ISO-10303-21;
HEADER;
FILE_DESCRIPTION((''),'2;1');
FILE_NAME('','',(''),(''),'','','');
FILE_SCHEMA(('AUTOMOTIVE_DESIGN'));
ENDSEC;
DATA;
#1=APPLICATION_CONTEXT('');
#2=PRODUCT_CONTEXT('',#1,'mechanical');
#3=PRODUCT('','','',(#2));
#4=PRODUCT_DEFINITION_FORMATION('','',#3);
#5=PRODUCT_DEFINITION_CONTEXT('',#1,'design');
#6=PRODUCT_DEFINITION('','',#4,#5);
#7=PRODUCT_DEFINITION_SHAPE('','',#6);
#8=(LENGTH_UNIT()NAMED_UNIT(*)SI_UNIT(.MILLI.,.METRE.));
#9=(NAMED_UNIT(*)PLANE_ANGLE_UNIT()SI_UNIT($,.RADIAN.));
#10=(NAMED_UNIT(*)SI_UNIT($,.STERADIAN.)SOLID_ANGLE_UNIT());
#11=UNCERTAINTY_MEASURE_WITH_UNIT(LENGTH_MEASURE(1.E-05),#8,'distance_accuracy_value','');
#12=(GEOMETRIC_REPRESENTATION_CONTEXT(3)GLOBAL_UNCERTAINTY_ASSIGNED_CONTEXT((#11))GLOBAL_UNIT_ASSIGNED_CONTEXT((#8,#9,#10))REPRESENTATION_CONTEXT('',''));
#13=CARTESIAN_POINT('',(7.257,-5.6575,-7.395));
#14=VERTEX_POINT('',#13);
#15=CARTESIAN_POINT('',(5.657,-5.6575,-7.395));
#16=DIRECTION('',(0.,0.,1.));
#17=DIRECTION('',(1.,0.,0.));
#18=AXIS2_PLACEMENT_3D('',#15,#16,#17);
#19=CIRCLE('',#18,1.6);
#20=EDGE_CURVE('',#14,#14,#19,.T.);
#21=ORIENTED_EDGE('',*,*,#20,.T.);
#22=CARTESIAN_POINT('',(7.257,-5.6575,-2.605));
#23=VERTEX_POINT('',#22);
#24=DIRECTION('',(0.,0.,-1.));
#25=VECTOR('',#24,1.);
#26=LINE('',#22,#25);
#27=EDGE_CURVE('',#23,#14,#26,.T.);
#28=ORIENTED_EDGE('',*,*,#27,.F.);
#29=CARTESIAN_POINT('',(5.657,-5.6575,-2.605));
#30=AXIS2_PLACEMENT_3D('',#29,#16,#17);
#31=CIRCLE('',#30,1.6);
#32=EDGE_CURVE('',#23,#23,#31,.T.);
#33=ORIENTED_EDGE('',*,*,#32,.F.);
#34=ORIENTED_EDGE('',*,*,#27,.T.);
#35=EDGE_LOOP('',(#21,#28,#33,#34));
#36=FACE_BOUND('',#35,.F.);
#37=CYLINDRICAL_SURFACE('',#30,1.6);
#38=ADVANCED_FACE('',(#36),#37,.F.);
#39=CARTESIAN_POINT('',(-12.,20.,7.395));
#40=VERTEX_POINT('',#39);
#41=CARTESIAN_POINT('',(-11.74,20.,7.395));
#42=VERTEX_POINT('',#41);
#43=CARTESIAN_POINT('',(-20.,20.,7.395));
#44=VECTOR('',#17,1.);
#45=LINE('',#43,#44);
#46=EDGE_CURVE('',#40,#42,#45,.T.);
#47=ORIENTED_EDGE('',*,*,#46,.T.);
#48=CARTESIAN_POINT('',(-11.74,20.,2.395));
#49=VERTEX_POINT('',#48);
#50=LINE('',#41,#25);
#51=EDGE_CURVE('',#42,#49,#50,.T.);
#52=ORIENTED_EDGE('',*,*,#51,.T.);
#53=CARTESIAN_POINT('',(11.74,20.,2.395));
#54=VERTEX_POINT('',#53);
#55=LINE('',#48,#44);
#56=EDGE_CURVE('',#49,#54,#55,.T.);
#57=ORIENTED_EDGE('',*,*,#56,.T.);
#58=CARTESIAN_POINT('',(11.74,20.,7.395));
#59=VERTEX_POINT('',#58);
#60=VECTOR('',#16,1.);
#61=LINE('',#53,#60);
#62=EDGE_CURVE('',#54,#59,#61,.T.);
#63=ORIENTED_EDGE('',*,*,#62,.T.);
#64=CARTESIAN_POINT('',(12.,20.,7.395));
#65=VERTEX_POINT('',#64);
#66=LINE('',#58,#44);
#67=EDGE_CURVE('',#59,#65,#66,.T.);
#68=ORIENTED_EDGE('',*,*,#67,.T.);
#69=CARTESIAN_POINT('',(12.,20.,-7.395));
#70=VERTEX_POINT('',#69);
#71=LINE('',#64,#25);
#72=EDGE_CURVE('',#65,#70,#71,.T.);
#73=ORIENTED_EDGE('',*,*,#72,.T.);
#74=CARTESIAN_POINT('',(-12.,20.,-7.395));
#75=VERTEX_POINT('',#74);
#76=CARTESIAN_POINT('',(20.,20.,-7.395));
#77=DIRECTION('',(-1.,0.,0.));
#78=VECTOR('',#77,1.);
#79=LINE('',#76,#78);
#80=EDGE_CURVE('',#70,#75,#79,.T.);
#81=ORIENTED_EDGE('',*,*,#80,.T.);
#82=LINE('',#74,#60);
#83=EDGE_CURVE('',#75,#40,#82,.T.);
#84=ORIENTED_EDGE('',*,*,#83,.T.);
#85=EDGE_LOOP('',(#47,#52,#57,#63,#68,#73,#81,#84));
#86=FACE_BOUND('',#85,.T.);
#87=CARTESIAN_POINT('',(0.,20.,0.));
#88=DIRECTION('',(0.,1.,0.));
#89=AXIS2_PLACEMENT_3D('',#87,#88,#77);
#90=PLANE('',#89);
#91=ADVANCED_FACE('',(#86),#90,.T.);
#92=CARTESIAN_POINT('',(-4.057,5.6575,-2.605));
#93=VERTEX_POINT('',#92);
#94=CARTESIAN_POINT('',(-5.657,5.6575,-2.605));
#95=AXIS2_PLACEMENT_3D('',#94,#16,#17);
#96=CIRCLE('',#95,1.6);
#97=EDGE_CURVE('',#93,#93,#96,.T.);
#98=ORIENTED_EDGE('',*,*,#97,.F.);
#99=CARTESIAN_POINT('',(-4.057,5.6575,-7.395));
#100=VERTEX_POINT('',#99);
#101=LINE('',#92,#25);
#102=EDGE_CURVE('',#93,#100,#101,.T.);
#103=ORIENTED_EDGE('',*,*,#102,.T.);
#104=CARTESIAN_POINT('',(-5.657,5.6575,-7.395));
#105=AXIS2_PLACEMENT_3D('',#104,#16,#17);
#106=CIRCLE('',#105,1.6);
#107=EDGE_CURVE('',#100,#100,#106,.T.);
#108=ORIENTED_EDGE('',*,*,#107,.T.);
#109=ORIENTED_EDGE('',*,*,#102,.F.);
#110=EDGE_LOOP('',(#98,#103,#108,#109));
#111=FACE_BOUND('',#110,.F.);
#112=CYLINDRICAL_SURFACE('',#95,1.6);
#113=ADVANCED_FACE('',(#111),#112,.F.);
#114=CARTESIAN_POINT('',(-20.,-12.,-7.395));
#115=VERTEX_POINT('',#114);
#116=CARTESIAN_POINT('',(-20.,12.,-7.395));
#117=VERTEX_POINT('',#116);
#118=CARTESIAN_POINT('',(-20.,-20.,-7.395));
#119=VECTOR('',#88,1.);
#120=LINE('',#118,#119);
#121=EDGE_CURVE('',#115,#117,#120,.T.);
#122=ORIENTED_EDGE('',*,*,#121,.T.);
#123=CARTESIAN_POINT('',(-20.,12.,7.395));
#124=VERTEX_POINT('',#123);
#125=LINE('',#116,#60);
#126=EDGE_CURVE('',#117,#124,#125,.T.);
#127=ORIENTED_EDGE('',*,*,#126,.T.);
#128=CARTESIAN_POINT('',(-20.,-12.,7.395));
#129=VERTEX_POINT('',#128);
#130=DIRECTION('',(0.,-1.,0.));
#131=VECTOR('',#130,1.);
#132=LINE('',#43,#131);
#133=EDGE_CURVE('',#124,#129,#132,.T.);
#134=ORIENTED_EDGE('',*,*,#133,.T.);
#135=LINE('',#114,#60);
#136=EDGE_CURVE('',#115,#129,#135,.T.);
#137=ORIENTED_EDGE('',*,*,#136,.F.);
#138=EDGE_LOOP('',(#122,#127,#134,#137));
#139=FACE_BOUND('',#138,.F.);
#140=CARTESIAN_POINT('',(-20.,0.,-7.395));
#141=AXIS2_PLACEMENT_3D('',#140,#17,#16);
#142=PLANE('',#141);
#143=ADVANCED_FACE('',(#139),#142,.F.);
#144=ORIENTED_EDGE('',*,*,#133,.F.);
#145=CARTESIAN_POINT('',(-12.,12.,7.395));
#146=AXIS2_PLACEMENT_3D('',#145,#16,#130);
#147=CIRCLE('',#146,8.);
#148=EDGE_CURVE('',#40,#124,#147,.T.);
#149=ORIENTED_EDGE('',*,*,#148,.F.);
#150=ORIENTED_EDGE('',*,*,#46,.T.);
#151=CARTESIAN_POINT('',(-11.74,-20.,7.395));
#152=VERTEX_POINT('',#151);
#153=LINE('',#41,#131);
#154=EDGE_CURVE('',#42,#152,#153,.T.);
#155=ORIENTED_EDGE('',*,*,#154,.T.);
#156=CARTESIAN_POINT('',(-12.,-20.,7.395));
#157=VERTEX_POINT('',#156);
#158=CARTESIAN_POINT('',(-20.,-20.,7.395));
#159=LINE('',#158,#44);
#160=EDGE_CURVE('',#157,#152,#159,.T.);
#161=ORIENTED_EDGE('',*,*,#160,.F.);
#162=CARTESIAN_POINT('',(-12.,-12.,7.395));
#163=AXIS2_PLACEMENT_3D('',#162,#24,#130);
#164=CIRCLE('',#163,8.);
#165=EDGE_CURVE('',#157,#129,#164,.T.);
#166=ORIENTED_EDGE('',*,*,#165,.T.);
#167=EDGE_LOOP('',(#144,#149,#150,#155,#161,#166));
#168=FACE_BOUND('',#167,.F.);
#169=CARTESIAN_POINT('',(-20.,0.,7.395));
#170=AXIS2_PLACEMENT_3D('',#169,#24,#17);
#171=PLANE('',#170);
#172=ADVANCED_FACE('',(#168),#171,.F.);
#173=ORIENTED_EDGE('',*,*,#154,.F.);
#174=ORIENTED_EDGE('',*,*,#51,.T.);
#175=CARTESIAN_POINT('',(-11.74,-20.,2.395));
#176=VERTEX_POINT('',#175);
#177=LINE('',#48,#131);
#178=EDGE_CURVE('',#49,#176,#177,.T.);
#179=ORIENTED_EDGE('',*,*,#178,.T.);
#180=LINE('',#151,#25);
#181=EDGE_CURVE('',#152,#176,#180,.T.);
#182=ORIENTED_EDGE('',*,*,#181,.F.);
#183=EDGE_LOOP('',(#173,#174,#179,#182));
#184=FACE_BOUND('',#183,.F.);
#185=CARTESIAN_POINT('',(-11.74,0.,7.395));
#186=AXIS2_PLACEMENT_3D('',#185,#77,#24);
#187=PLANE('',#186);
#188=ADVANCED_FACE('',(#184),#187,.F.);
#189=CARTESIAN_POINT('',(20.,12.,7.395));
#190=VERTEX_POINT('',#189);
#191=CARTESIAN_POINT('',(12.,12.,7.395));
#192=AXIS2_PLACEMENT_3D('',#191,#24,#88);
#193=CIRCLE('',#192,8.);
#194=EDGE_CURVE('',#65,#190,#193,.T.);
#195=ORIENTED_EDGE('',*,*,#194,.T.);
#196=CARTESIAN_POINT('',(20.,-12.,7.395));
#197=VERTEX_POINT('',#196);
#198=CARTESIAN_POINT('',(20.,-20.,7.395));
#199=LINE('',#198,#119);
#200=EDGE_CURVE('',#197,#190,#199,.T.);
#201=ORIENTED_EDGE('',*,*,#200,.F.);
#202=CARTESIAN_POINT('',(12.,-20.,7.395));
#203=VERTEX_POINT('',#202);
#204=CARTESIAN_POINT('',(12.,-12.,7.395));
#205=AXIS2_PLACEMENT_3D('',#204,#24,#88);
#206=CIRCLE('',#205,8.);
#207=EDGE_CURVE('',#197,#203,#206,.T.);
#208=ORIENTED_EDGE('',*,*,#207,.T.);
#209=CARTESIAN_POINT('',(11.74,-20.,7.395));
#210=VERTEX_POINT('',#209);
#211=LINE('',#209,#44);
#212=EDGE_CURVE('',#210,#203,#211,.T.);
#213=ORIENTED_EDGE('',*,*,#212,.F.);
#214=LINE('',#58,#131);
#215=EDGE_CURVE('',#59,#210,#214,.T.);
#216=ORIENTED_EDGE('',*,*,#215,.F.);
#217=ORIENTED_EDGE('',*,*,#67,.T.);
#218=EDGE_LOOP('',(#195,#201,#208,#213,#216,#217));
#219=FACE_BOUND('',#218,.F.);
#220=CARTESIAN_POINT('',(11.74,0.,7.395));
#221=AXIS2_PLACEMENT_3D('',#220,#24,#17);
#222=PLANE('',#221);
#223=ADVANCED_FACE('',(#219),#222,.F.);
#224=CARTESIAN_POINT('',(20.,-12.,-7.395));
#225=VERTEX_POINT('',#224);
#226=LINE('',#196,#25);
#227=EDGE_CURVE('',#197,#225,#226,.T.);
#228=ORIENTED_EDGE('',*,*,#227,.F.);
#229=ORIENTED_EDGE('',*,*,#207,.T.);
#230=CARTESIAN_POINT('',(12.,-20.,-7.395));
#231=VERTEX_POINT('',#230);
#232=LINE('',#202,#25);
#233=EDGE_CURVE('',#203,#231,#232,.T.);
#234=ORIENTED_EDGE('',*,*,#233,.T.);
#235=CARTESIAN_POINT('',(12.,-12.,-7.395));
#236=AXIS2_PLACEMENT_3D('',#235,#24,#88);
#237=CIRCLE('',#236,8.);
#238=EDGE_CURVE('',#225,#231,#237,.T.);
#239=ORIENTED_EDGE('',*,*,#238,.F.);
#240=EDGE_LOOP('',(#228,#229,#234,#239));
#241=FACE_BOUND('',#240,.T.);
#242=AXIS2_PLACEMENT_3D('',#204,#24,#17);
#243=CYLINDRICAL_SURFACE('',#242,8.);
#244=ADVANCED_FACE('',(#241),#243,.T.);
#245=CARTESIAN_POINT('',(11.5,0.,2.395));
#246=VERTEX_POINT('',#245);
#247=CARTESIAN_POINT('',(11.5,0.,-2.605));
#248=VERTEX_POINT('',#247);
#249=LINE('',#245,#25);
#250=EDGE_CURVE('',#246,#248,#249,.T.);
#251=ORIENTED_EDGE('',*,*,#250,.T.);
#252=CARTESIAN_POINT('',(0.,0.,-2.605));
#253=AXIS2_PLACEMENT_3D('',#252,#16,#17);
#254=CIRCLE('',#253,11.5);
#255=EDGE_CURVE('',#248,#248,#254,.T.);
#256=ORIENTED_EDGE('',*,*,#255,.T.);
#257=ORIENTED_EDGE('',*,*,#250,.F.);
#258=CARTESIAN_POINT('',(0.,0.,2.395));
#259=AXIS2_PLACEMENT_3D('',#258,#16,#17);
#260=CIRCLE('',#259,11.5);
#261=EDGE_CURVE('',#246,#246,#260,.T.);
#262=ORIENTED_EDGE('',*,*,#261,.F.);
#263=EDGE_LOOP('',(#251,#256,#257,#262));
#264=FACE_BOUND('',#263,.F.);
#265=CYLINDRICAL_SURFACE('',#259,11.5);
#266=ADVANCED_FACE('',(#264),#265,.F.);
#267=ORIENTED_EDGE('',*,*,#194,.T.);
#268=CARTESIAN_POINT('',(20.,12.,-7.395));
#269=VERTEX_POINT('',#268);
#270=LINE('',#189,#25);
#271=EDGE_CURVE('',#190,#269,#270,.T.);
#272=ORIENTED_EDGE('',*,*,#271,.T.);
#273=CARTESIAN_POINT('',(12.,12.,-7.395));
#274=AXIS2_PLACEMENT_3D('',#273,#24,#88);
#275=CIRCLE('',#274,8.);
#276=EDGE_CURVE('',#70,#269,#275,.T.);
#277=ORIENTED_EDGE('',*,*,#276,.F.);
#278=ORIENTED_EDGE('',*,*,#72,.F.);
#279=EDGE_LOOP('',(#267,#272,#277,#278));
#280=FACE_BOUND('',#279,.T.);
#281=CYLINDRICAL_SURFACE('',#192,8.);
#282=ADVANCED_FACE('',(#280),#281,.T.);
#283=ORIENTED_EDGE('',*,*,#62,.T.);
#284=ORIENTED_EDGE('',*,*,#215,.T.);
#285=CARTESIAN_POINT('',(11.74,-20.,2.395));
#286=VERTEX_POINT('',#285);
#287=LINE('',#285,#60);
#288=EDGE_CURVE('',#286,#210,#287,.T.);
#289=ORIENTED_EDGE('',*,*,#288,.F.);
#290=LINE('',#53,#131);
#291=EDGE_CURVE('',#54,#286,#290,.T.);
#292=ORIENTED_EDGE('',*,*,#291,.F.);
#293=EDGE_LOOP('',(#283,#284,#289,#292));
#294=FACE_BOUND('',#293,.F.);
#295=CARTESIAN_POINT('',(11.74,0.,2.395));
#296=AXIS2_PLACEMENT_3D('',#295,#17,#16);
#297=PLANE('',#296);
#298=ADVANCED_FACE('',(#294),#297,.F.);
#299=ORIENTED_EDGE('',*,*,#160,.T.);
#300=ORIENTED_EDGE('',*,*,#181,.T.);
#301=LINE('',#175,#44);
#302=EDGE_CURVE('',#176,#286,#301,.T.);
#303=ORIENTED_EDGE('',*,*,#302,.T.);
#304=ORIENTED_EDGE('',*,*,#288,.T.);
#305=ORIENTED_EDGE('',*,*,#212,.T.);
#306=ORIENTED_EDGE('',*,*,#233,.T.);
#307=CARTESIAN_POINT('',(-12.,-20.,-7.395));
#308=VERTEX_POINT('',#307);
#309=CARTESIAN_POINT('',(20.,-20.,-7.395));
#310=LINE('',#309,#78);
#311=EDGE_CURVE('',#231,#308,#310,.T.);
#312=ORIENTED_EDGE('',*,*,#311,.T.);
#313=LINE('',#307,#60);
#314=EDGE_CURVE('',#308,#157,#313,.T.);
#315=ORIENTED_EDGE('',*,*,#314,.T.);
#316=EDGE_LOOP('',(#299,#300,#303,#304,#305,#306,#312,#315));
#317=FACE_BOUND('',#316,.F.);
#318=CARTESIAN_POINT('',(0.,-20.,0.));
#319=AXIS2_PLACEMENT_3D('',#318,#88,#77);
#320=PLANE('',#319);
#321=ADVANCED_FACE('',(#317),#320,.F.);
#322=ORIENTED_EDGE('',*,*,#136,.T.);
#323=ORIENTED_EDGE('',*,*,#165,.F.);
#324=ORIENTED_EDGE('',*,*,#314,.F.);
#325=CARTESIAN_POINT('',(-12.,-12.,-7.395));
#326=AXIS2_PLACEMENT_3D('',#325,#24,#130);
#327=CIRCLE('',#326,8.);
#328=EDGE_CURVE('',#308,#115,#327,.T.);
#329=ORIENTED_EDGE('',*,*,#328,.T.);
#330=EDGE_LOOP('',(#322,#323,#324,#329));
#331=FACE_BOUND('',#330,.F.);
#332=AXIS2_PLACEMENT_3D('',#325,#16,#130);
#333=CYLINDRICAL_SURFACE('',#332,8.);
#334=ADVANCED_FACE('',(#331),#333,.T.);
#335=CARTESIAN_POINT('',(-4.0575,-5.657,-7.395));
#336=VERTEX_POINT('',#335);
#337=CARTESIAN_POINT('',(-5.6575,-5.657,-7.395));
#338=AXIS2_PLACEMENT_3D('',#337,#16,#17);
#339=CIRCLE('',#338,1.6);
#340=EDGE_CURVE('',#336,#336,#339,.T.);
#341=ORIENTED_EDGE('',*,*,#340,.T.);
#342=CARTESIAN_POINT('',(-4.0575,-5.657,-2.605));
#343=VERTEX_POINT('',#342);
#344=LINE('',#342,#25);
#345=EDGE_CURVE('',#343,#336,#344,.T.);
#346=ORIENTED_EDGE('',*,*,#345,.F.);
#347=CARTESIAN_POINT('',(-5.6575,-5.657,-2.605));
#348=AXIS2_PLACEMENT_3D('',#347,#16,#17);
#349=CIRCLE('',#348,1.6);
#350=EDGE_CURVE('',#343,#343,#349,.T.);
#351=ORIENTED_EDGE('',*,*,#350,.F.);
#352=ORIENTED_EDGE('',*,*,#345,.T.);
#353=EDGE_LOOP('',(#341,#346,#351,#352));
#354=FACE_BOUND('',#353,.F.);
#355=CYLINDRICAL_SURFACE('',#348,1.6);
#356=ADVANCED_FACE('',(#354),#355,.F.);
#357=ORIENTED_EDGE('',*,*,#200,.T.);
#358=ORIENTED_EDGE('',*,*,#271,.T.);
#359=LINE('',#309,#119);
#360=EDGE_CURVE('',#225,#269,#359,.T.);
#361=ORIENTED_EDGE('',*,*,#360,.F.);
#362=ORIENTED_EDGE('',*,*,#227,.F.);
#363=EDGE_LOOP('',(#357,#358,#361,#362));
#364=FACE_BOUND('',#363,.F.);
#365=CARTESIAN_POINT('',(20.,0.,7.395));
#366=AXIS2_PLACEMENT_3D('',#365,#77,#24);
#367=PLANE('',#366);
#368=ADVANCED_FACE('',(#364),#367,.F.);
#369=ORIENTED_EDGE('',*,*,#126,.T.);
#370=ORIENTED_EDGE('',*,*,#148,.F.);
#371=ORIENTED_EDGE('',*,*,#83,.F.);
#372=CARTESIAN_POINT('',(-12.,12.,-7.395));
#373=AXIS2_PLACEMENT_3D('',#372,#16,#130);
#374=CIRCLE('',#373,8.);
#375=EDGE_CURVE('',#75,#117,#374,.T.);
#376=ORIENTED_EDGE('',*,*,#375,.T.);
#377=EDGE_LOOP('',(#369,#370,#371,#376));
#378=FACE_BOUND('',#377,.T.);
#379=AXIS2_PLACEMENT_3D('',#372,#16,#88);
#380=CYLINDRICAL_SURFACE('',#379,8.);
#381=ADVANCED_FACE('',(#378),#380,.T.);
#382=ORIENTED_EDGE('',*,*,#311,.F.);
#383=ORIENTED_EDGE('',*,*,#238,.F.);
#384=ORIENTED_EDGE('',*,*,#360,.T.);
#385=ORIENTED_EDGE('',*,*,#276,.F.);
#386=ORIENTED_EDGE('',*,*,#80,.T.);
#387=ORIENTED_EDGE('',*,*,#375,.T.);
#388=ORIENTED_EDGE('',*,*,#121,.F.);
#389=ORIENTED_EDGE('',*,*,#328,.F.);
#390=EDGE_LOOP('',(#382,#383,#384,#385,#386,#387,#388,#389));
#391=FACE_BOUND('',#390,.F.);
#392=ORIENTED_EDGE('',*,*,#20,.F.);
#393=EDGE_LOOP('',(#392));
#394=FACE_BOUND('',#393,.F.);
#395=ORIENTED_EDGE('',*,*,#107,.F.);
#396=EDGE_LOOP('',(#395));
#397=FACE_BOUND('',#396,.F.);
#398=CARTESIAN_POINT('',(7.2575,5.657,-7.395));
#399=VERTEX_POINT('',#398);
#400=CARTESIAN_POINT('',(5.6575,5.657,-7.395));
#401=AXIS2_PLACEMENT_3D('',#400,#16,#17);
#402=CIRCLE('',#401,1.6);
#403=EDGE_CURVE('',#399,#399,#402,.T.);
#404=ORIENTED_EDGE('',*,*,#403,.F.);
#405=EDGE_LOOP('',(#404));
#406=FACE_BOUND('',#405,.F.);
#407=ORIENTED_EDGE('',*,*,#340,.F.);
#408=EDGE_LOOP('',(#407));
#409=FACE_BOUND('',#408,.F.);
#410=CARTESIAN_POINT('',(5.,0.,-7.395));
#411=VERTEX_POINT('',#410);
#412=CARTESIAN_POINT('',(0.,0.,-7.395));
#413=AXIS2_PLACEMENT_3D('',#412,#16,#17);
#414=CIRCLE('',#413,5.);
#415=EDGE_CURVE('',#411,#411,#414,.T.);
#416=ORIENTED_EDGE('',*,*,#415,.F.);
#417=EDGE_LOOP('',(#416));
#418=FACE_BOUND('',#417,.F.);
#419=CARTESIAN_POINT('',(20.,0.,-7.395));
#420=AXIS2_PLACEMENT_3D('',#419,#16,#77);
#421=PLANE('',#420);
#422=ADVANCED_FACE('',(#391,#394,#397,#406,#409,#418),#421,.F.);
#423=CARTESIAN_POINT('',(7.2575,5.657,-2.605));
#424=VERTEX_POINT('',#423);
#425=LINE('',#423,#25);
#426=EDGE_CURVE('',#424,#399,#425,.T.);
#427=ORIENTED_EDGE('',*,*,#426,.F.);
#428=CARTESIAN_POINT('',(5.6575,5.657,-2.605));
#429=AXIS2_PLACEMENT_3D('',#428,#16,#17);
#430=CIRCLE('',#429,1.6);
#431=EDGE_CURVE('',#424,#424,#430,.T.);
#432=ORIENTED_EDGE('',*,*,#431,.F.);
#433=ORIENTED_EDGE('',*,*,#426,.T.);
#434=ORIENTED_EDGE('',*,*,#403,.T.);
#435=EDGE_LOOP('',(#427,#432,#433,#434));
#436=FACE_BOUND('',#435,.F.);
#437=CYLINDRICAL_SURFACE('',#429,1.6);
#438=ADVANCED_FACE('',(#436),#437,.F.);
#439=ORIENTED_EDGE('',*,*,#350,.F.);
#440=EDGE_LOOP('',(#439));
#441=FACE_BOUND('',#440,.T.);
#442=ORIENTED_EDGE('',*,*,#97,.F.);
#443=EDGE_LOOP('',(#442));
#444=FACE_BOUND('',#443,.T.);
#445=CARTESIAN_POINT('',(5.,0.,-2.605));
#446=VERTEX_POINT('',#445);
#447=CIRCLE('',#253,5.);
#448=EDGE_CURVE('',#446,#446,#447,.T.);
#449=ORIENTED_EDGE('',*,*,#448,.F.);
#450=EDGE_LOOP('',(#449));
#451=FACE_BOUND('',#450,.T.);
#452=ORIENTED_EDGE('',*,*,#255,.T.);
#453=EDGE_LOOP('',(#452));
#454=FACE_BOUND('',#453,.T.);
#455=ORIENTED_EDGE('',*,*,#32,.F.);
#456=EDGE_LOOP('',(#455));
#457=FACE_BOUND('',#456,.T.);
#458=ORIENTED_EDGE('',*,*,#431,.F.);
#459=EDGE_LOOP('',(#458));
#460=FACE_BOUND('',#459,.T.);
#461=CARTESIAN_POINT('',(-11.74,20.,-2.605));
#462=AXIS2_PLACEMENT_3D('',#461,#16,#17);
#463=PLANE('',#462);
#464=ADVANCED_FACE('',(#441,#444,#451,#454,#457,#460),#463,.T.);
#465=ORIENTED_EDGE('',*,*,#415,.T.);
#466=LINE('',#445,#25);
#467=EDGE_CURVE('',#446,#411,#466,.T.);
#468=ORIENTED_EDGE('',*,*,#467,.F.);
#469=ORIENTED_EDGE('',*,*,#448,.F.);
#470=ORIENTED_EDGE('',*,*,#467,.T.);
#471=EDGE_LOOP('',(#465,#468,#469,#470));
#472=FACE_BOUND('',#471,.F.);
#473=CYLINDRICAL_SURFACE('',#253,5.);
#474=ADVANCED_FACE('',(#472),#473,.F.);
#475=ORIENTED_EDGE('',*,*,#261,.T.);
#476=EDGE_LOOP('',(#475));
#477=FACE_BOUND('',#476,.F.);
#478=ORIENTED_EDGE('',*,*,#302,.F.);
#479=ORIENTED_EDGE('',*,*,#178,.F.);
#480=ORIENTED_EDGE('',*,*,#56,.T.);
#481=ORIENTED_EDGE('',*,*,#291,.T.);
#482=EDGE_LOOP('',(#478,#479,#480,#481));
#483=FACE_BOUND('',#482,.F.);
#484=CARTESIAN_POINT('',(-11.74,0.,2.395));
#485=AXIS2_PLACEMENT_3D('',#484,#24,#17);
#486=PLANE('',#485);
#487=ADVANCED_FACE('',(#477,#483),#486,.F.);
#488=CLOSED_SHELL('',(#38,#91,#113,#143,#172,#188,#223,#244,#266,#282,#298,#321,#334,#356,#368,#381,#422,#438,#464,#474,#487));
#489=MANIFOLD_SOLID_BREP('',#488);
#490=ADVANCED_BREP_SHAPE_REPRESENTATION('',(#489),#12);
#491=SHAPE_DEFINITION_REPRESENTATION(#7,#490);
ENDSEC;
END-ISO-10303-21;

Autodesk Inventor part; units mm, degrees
ref_plane "YZ Plane" through (0, 0, 0) normal (1, 0, 0) x (0, 1, 0)
ref_plane "XZ Plane" through (0, 0, 0) normal (0, 1, 0) x (-1, 0, 0)
ref_plane "XY Plane" through (0, 0, 0) normal (0, 0, 1) x (1, 0, 0)
sketch "Sketch1" plane through (0, 0, 0) normal (0, 1, 0) x (-1, 0, 0)
  line L0 (-20, 7.395) -> (-20, -7.395)
  line L1 (-20, -7.395) -> (20, -7.395)
  line L2 (20, -7.395) -> (20, 7.395)
  line L3 (20, 7.395) -> (11.74, 7.395)
  line L4 (11.74, 7.395) -> (11.74, 2.395)
  line L5 (11.74, 2.395) -> (-11.74, 2.395)
  line L6 (-11.74, 2.395) -> (-11.74, 7.395)
  line L7 (-11.74, 7.395) -> (-20, 7.395)
  point P0 (0, 0)
  point P1 (-20, 0)
  point P2 (-15.87, 7.395)
  point P3 (15.87, 7.395)
  point P4 (0, 2.395)
  dimension "d0" = 40
  dimension "d1" = 14.79
  dimension "d2" = 8.26
  dimension "d3" = 8.26
  dimension "d4" = 5
extrude "Extrusion1" add sketch "Sketch1" along normal mid plane 40
sketch "Sketch2" plane through (-11.74, 20, 2.395) normal (0, 0, 1) x (1, 0, 0)
  circle A0 centre (11.74, -20) radius 11.5
  dimension "d7" = 23
extrude "Extrusion2" cut sketch "Sketch2" against normal blind 5
sketch "Sketch3" plane through (0, 0, -2.605) normal (0, 0, 1) x (1, 0, 0)
  circle A0 centre (0, 0) radius 5
  dimension "d10" = 10
extrude "Extrusion3" cut sketch "Sketch3" against normal up to next
sketch "Sketch4" plane through (0, 0, -2.605) normal (0, 0, 1) x (1, 0, 0)
  circle A0 centre (-5.657, 5.6575) radius 1.6
  circle A1 centre (-5.6575, -5.657) radius 1.6
  circle A2 centre (5.657, -5.6575) radius 1.6
  circle A3 centre (5.6575, 5.657) radius 1.6
  point P0 (0, 0)
  dimension "d13" = 5.657
  dimension "d14" = 5.6575
  dimension "d15" = 3.2
  dimension "d18" = 360
extrude "Extrusion4" cut sketch "Sketch4" against normal up to next
fillet "Fillet1" radius 8 4 edges at (-20, -20, 0) (20, -20, 0) (20, 20, 0) (-20, 20, 0)
properties part number "OldhamCouplerBottom"
